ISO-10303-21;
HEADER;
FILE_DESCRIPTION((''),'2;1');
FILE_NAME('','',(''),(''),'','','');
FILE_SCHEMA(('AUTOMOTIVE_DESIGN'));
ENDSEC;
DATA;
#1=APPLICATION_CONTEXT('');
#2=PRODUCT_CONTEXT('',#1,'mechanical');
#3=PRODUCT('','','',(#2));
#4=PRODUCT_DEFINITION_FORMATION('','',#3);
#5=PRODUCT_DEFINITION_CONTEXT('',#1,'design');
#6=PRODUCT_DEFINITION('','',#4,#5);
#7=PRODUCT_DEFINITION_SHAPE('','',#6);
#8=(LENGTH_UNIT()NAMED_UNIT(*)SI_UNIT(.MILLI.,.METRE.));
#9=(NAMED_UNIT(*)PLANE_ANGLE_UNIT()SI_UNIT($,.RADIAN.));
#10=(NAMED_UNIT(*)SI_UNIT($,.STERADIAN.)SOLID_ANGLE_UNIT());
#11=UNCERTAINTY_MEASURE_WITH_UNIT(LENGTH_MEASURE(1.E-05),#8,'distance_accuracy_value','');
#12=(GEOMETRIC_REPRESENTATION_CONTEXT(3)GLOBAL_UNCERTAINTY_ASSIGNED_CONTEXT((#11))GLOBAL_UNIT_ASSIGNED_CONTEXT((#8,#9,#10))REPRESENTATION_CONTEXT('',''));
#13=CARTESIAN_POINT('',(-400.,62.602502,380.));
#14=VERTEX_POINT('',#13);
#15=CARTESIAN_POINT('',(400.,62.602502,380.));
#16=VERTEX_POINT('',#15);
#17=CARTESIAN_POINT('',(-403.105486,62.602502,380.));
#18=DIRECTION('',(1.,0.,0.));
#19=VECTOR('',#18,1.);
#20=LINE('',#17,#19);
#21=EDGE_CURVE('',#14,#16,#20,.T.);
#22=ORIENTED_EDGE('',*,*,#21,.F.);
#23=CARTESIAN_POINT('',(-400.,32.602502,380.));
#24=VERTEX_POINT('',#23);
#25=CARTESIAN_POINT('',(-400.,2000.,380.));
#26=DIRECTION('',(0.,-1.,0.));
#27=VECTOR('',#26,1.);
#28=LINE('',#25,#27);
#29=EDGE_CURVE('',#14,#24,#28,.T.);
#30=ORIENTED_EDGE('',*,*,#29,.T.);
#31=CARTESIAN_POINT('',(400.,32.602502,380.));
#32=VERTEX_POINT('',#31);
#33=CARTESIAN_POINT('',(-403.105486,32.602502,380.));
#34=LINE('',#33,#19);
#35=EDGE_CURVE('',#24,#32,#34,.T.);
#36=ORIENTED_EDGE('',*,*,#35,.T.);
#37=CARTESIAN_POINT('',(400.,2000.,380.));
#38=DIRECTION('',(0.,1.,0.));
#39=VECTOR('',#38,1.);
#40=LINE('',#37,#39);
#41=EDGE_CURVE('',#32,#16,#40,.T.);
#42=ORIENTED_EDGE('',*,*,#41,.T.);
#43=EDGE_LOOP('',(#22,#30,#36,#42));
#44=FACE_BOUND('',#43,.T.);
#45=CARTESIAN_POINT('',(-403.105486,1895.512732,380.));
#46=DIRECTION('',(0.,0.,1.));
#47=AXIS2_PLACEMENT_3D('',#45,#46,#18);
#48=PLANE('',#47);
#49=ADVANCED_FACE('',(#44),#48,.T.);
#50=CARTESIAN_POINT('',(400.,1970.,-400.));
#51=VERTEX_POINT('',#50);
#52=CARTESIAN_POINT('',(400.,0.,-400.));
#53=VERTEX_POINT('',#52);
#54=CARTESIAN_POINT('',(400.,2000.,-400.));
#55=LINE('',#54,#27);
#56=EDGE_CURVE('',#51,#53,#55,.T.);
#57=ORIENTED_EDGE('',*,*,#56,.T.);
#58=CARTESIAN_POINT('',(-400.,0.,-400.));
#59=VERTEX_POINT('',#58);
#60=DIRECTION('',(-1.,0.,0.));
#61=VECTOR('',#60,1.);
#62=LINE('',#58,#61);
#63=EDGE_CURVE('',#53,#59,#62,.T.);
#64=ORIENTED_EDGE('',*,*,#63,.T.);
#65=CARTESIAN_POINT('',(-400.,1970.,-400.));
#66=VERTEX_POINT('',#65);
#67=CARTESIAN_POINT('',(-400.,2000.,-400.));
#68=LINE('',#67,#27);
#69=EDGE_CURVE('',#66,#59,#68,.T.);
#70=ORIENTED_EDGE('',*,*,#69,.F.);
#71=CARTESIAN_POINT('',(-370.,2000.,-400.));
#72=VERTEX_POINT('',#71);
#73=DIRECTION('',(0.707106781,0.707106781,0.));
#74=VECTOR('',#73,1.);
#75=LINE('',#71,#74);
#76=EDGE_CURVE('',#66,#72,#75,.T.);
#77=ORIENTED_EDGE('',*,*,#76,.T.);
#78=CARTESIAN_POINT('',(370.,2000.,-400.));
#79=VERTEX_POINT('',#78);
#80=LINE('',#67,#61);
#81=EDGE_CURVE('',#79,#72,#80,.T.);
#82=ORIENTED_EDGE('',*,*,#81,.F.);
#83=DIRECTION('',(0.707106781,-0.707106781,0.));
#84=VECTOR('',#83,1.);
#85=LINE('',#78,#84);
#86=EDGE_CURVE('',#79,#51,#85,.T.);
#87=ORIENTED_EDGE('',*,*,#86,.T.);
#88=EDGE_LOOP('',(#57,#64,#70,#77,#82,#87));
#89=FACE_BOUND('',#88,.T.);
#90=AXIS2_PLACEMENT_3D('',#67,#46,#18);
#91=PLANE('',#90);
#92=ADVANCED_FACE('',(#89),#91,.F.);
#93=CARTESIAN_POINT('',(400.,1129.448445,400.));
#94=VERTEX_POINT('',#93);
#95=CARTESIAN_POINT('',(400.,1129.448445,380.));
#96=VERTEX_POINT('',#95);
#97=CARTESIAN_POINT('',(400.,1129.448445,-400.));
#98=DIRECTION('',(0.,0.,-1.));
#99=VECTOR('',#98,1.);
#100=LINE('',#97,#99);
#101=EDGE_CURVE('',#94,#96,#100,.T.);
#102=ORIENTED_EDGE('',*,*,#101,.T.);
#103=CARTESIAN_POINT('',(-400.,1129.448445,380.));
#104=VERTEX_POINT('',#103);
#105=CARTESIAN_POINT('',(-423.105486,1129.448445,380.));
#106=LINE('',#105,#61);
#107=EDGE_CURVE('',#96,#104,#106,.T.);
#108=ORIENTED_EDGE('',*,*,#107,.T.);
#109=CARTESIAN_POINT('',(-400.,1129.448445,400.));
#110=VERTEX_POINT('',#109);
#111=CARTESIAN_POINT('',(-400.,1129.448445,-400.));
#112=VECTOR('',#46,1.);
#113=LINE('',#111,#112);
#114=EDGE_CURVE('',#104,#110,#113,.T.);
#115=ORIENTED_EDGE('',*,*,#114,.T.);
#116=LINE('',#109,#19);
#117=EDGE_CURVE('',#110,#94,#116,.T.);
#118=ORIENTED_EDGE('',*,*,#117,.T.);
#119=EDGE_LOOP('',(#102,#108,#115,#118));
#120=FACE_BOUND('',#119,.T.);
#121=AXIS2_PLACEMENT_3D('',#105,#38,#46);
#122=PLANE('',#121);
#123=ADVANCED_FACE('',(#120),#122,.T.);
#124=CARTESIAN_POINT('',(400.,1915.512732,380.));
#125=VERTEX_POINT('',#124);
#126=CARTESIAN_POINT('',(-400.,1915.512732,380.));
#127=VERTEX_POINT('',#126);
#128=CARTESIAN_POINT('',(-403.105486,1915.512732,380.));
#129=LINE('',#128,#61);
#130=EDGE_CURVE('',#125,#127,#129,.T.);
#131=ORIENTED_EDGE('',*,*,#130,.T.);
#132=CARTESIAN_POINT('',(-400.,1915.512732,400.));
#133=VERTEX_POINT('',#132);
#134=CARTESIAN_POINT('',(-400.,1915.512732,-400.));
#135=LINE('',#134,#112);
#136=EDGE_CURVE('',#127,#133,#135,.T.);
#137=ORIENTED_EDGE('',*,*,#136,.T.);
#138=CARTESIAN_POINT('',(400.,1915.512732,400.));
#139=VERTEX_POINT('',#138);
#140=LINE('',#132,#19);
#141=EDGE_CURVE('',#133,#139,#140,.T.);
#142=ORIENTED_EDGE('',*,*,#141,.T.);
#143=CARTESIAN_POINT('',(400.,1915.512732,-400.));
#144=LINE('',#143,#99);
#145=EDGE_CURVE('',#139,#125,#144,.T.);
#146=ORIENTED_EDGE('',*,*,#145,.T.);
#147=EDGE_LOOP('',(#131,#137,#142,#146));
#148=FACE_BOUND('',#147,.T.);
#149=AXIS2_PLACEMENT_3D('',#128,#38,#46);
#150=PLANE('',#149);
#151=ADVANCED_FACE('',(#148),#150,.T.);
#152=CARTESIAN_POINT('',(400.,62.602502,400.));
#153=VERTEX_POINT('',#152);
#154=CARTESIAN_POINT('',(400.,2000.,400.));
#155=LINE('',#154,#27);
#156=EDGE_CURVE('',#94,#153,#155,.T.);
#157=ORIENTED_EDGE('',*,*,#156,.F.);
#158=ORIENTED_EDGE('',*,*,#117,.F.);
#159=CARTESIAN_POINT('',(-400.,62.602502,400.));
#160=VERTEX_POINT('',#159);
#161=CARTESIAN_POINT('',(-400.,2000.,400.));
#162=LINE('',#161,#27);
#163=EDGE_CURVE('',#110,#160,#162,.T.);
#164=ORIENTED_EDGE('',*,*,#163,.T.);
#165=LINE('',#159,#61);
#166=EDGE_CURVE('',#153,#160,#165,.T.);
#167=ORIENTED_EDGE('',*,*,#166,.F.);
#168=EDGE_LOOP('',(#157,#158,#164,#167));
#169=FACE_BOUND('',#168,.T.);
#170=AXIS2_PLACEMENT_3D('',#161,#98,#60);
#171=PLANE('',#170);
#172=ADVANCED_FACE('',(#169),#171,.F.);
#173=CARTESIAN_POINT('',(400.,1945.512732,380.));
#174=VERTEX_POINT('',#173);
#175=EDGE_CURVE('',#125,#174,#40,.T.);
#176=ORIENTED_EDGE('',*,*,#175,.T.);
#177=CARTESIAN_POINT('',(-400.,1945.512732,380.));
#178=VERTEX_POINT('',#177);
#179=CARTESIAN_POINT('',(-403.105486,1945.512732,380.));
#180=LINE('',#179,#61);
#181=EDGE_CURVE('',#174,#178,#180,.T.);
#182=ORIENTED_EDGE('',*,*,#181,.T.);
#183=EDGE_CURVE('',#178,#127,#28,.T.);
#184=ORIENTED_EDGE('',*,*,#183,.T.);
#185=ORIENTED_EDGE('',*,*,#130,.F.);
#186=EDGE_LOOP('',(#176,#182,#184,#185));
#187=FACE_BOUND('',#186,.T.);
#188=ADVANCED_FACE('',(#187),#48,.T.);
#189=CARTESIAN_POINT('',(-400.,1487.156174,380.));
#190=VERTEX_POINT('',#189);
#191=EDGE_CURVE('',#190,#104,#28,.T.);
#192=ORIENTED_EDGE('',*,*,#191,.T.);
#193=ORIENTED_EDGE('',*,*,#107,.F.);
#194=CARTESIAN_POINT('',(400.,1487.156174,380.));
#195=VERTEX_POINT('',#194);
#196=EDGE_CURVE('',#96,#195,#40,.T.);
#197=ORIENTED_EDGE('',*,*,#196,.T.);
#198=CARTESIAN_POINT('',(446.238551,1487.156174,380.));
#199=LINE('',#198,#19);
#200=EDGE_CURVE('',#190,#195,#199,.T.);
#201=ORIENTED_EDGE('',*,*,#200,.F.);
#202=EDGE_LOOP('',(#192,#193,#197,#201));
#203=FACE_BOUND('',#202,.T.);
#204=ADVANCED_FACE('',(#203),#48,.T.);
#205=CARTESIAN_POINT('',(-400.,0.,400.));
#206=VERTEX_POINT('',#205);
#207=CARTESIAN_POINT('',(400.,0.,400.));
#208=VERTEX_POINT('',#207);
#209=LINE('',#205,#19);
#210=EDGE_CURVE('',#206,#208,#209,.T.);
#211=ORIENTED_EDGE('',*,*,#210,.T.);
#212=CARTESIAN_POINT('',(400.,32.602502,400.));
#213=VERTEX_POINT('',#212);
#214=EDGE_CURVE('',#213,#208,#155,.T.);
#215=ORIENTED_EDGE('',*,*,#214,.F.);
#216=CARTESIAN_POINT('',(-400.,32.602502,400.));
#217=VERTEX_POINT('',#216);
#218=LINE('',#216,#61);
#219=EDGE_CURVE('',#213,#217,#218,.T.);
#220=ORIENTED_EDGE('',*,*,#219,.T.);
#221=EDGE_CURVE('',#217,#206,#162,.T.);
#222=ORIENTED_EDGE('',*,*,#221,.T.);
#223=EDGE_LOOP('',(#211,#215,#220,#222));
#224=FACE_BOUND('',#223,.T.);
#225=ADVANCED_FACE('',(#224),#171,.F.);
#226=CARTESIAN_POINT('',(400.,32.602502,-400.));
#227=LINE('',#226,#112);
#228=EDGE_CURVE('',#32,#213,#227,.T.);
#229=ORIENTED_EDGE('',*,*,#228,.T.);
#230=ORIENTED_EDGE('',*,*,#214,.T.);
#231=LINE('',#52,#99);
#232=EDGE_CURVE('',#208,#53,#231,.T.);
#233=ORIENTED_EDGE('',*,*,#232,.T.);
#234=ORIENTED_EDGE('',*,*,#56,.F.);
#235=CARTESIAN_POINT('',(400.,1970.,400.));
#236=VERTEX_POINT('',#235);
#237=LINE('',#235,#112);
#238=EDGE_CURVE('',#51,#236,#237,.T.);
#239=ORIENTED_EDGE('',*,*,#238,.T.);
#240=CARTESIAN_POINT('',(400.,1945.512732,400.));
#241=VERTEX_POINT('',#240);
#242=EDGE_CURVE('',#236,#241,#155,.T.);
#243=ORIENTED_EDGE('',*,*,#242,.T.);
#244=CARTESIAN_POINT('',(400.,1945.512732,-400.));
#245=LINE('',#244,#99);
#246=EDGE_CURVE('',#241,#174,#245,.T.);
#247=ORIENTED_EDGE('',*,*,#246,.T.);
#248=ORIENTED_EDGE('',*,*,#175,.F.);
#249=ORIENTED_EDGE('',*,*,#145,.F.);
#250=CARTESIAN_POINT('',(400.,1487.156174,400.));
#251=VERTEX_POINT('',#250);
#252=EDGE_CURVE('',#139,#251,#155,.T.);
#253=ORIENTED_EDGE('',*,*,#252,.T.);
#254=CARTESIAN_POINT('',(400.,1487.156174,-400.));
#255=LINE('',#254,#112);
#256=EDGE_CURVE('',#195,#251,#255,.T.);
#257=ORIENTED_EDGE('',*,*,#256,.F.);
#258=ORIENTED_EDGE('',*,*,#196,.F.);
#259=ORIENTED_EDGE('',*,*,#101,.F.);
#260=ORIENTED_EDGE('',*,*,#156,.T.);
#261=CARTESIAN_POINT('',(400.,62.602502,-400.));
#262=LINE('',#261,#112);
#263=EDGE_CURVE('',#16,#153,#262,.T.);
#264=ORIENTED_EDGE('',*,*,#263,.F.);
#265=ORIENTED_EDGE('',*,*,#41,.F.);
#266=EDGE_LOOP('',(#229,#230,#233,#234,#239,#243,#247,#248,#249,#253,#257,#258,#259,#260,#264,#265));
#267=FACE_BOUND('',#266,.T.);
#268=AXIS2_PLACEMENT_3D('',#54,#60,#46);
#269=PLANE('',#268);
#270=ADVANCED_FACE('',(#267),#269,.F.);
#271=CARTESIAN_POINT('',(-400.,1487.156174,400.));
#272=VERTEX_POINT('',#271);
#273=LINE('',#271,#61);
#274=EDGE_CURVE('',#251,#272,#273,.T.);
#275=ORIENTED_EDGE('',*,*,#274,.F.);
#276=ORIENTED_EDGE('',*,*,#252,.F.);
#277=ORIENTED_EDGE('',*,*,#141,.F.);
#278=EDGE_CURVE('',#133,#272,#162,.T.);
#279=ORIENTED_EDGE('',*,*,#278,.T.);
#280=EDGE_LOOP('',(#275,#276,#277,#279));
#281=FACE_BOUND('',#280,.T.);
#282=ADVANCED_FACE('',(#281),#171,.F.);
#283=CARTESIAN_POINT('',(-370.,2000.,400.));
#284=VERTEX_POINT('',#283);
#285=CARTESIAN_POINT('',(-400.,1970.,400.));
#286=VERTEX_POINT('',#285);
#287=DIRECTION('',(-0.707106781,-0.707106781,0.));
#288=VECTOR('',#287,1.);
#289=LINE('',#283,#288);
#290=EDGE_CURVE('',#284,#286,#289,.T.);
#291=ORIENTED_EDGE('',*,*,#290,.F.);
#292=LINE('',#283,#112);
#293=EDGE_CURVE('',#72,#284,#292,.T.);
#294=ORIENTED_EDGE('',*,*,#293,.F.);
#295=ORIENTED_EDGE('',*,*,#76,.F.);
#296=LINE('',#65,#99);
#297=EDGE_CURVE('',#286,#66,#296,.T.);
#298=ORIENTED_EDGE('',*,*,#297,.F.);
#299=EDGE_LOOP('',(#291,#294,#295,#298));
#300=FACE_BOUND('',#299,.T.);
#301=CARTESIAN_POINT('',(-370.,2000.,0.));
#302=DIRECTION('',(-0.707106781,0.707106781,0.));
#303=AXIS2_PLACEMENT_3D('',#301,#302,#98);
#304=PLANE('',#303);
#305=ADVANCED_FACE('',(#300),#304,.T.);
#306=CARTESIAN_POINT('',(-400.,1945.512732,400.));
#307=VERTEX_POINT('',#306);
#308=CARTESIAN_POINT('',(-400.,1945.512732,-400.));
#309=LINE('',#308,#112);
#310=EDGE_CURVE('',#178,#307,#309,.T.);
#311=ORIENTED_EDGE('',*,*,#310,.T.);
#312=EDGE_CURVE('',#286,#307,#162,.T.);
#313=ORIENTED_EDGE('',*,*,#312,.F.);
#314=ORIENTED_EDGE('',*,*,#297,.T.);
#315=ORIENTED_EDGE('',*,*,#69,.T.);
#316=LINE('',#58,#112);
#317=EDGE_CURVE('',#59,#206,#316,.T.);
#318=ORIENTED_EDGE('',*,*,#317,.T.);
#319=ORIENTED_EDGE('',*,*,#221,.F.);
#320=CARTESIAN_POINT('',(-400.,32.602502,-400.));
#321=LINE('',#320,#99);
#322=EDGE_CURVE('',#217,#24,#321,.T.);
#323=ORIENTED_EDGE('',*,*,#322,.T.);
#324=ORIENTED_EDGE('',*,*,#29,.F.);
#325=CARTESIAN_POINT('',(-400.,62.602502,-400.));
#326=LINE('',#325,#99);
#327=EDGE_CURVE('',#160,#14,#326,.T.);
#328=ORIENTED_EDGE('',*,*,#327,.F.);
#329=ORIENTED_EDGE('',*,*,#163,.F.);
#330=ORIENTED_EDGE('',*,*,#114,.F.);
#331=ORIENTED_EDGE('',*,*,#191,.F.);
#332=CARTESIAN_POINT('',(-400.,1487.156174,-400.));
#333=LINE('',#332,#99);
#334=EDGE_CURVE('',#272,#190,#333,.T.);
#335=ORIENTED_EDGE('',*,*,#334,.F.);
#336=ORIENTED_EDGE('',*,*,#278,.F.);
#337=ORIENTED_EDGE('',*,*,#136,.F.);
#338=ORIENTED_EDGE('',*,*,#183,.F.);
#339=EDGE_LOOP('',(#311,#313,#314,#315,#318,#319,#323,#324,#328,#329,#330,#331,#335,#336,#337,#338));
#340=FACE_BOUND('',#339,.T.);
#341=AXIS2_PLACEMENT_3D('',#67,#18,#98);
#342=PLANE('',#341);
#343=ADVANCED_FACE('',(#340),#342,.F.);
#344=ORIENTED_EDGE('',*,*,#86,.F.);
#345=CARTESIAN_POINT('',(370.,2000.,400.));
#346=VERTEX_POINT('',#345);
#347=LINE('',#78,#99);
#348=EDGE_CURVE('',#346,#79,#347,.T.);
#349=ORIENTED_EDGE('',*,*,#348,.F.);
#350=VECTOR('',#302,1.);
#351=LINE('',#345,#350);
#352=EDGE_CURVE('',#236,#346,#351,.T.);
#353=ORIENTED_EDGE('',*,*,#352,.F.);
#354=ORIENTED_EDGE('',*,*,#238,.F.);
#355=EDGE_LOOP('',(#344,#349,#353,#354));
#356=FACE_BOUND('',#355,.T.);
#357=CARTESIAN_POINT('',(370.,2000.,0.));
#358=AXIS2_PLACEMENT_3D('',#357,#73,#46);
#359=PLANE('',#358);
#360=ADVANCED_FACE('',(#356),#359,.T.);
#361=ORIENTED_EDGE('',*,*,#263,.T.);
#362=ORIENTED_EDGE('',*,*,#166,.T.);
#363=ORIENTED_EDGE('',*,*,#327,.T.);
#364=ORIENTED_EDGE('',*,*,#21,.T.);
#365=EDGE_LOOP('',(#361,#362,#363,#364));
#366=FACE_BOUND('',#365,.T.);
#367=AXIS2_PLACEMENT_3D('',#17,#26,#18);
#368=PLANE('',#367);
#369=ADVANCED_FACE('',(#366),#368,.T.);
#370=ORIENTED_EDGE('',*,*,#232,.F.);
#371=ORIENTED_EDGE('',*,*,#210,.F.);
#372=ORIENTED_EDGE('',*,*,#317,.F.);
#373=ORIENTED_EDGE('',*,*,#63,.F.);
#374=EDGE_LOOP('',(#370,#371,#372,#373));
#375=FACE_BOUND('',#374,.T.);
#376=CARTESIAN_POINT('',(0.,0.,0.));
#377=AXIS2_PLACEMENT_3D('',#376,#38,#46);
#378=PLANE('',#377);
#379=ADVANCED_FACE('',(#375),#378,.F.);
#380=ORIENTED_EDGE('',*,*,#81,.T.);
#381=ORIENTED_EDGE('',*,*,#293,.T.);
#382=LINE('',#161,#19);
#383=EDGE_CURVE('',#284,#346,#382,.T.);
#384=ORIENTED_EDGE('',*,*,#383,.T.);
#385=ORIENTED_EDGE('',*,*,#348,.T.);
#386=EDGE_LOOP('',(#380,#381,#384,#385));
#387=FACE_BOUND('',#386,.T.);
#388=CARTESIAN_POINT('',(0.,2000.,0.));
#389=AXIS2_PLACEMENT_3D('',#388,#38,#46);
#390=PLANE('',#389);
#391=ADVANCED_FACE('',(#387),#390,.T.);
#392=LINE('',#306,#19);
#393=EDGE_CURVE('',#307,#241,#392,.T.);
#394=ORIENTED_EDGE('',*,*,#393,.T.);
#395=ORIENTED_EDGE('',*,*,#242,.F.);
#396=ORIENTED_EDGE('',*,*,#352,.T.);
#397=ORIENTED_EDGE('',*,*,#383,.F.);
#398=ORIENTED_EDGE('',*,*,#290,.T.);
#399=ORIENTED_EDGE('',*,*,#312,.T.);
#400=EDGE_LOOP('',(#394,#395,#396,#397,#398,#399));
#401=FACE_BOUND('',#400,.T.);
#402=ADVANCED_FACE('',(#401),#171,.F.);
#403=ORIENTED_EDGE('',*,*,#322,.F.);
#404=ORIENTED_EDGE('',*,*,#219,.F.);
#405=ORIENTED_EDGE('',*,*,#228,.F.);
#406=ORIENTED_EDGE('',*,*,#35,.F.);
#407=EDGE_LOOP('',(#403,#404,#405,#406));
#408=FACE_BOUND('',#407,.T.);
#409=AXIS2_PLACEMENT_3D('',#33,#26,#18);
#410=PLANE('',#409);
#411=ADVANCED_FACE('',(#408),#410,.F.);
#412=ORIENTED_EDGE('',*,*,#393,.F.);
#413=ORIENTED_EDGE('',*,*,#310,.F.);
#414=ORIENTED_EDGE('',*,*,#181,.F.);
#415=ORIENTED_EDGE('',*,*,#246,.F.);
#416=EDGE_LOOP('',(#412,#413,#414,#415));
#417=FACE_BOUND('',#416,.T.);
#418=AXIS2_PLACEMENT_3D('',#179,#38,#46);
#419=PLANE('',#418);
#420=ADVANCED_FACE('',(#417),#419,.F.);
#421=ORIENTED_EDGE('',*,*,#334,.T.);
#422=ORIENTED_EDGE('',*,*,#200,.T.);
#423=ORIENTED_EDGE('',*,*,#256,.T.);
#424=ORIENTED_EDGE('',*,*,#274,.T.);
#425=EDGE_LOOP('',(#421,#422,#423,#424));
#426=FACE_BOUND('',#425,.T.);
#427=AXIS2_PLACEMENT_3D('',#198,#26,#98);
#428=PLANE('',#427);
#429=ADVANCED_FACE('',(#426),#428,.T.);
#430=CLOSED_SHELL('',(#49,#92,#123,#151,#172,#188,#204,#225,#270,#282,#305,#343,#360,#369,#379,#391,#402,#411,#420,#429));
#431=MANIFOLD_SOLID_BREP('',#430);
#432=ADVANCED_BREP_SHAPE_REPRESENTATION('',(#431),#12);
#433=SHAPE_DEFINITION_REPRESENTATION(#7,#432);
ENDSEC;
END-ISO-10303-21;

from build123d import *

# Parameters (mm, degrees)
CROQUIS1_W              = 800
CROQUIS1_H              = 800
SALIENTE_EXTRUIR1_DEPTH = 2000
CORTAR_EXTRUIR1_DEPTH   = 20
CHAFL_N1_SIZE           = 30


with BuildPart() as part:
    # Croquis1 → Saliente-Extruir1 (new body)
    with BuildSketch(Plane(origin=(0, 0, 0), x_dir=(1, 0, 0), z_dir=(0, 1, 0))):
        Rectangle(CROQUIS1_W, CROQUIS1_H)
    extrude(amount=SALIENTE_EXTRUIR1_DEPTH)

    # Croquis2 → Cortar-Extruir1 (cut)
    with BuildSketch(Plane.XY.offset(400)):
        with BuildLine():
            Line((-453.105485689, 1895.512731964), (-453.105485689, 82.602501534))
            ThreePointArc((-453.105485689, 82.602501534), (-438.460824748, 47.247162475), (-403.105485689, 32.602501534))
            Line((-403.105485689, 32.602501534), (426.238550511, 32.602501534))
            ThreePointArc((426.238550511, 32.602501534), (461.59388957, 47.247162475), (476.238550511, 82.602501534))
            Line((476.238550511, 82.602501534), (476.238550511, 1895.512731964))
            ThreePointArc((476.238550511, 1895.512731964), (461.59388957, 1930.868071024), (426.238550511, 1945.512731964))
            Line((426.238550511, 1945.512731964), (-403.105485689, 1945.512731964))
            ThreePointArc((-403.105485689, 1945.512731964), (-438.460824748, 1930.868071024), (-453.105485689, 1895.512731964))
        make_face()
        with BuildLine():
            Line((-403.105485689, 1915.512731964), (426.238550511, 1915.512731964))
            ThreePointArc((426.238550511, 1915.512731964), (440.380686134, 1909.654867588), (446.238550511, 1895.512731964))
            Line((446.238550511, 1895.512731964), (446.238550511, 1487.15617354))
            Line((446.238550511, 1487.15617354), (-423.105485689, 1487.15617354))
            Line((-423.105485689, 1487.15617354), (-423.105485689, 1895.512731964))
            ThreePointArc((-423.105485689, 1895.512731964), (-417.247621312, 1909.654867588), (-403.105485689, 1915.512731964))
        make_face(mode=Mode.SUBTRACT)
        with BuildLine():
            Line((-403.105485689, 62.602501534), (426.238550511, 62.602501534))
            ThreePointArc((426.238550511, 62.602501534), (440.380686134, 68.460365911), (446.238550511, 82.602501534))
            Line((446.238550511, 82.602501534), (446.238550511, 1129.448445192))
            Line((446.238550511, 1129.448445192), (-423.105485689, 1129.448445192))
            Line((-423.105485689, 1129.448445192), (-423.105485689, 82.602501534))
            ThreePointArc((-423.105485689, 82.602501534), (-417.247621312, 68.460365911), (-403.105485689, 62.602501534))
        make_face(mode=Mode.SUBTRACT)
    extrude(amount=-CORTAR_EXTRUIR1_DEPTH, mode=Mode.SUBTRACT)

    # Chaflán1
    chafl_n1_edges = [part.edges().sort_by_distance(p)[0] for p in [
        (-400, 2000, 0),
        (400, 2000, 0),
    ]]
    chamfer(chafl_n1_edges, length=CHAFL_N1_SIZE)


solid = part.part
